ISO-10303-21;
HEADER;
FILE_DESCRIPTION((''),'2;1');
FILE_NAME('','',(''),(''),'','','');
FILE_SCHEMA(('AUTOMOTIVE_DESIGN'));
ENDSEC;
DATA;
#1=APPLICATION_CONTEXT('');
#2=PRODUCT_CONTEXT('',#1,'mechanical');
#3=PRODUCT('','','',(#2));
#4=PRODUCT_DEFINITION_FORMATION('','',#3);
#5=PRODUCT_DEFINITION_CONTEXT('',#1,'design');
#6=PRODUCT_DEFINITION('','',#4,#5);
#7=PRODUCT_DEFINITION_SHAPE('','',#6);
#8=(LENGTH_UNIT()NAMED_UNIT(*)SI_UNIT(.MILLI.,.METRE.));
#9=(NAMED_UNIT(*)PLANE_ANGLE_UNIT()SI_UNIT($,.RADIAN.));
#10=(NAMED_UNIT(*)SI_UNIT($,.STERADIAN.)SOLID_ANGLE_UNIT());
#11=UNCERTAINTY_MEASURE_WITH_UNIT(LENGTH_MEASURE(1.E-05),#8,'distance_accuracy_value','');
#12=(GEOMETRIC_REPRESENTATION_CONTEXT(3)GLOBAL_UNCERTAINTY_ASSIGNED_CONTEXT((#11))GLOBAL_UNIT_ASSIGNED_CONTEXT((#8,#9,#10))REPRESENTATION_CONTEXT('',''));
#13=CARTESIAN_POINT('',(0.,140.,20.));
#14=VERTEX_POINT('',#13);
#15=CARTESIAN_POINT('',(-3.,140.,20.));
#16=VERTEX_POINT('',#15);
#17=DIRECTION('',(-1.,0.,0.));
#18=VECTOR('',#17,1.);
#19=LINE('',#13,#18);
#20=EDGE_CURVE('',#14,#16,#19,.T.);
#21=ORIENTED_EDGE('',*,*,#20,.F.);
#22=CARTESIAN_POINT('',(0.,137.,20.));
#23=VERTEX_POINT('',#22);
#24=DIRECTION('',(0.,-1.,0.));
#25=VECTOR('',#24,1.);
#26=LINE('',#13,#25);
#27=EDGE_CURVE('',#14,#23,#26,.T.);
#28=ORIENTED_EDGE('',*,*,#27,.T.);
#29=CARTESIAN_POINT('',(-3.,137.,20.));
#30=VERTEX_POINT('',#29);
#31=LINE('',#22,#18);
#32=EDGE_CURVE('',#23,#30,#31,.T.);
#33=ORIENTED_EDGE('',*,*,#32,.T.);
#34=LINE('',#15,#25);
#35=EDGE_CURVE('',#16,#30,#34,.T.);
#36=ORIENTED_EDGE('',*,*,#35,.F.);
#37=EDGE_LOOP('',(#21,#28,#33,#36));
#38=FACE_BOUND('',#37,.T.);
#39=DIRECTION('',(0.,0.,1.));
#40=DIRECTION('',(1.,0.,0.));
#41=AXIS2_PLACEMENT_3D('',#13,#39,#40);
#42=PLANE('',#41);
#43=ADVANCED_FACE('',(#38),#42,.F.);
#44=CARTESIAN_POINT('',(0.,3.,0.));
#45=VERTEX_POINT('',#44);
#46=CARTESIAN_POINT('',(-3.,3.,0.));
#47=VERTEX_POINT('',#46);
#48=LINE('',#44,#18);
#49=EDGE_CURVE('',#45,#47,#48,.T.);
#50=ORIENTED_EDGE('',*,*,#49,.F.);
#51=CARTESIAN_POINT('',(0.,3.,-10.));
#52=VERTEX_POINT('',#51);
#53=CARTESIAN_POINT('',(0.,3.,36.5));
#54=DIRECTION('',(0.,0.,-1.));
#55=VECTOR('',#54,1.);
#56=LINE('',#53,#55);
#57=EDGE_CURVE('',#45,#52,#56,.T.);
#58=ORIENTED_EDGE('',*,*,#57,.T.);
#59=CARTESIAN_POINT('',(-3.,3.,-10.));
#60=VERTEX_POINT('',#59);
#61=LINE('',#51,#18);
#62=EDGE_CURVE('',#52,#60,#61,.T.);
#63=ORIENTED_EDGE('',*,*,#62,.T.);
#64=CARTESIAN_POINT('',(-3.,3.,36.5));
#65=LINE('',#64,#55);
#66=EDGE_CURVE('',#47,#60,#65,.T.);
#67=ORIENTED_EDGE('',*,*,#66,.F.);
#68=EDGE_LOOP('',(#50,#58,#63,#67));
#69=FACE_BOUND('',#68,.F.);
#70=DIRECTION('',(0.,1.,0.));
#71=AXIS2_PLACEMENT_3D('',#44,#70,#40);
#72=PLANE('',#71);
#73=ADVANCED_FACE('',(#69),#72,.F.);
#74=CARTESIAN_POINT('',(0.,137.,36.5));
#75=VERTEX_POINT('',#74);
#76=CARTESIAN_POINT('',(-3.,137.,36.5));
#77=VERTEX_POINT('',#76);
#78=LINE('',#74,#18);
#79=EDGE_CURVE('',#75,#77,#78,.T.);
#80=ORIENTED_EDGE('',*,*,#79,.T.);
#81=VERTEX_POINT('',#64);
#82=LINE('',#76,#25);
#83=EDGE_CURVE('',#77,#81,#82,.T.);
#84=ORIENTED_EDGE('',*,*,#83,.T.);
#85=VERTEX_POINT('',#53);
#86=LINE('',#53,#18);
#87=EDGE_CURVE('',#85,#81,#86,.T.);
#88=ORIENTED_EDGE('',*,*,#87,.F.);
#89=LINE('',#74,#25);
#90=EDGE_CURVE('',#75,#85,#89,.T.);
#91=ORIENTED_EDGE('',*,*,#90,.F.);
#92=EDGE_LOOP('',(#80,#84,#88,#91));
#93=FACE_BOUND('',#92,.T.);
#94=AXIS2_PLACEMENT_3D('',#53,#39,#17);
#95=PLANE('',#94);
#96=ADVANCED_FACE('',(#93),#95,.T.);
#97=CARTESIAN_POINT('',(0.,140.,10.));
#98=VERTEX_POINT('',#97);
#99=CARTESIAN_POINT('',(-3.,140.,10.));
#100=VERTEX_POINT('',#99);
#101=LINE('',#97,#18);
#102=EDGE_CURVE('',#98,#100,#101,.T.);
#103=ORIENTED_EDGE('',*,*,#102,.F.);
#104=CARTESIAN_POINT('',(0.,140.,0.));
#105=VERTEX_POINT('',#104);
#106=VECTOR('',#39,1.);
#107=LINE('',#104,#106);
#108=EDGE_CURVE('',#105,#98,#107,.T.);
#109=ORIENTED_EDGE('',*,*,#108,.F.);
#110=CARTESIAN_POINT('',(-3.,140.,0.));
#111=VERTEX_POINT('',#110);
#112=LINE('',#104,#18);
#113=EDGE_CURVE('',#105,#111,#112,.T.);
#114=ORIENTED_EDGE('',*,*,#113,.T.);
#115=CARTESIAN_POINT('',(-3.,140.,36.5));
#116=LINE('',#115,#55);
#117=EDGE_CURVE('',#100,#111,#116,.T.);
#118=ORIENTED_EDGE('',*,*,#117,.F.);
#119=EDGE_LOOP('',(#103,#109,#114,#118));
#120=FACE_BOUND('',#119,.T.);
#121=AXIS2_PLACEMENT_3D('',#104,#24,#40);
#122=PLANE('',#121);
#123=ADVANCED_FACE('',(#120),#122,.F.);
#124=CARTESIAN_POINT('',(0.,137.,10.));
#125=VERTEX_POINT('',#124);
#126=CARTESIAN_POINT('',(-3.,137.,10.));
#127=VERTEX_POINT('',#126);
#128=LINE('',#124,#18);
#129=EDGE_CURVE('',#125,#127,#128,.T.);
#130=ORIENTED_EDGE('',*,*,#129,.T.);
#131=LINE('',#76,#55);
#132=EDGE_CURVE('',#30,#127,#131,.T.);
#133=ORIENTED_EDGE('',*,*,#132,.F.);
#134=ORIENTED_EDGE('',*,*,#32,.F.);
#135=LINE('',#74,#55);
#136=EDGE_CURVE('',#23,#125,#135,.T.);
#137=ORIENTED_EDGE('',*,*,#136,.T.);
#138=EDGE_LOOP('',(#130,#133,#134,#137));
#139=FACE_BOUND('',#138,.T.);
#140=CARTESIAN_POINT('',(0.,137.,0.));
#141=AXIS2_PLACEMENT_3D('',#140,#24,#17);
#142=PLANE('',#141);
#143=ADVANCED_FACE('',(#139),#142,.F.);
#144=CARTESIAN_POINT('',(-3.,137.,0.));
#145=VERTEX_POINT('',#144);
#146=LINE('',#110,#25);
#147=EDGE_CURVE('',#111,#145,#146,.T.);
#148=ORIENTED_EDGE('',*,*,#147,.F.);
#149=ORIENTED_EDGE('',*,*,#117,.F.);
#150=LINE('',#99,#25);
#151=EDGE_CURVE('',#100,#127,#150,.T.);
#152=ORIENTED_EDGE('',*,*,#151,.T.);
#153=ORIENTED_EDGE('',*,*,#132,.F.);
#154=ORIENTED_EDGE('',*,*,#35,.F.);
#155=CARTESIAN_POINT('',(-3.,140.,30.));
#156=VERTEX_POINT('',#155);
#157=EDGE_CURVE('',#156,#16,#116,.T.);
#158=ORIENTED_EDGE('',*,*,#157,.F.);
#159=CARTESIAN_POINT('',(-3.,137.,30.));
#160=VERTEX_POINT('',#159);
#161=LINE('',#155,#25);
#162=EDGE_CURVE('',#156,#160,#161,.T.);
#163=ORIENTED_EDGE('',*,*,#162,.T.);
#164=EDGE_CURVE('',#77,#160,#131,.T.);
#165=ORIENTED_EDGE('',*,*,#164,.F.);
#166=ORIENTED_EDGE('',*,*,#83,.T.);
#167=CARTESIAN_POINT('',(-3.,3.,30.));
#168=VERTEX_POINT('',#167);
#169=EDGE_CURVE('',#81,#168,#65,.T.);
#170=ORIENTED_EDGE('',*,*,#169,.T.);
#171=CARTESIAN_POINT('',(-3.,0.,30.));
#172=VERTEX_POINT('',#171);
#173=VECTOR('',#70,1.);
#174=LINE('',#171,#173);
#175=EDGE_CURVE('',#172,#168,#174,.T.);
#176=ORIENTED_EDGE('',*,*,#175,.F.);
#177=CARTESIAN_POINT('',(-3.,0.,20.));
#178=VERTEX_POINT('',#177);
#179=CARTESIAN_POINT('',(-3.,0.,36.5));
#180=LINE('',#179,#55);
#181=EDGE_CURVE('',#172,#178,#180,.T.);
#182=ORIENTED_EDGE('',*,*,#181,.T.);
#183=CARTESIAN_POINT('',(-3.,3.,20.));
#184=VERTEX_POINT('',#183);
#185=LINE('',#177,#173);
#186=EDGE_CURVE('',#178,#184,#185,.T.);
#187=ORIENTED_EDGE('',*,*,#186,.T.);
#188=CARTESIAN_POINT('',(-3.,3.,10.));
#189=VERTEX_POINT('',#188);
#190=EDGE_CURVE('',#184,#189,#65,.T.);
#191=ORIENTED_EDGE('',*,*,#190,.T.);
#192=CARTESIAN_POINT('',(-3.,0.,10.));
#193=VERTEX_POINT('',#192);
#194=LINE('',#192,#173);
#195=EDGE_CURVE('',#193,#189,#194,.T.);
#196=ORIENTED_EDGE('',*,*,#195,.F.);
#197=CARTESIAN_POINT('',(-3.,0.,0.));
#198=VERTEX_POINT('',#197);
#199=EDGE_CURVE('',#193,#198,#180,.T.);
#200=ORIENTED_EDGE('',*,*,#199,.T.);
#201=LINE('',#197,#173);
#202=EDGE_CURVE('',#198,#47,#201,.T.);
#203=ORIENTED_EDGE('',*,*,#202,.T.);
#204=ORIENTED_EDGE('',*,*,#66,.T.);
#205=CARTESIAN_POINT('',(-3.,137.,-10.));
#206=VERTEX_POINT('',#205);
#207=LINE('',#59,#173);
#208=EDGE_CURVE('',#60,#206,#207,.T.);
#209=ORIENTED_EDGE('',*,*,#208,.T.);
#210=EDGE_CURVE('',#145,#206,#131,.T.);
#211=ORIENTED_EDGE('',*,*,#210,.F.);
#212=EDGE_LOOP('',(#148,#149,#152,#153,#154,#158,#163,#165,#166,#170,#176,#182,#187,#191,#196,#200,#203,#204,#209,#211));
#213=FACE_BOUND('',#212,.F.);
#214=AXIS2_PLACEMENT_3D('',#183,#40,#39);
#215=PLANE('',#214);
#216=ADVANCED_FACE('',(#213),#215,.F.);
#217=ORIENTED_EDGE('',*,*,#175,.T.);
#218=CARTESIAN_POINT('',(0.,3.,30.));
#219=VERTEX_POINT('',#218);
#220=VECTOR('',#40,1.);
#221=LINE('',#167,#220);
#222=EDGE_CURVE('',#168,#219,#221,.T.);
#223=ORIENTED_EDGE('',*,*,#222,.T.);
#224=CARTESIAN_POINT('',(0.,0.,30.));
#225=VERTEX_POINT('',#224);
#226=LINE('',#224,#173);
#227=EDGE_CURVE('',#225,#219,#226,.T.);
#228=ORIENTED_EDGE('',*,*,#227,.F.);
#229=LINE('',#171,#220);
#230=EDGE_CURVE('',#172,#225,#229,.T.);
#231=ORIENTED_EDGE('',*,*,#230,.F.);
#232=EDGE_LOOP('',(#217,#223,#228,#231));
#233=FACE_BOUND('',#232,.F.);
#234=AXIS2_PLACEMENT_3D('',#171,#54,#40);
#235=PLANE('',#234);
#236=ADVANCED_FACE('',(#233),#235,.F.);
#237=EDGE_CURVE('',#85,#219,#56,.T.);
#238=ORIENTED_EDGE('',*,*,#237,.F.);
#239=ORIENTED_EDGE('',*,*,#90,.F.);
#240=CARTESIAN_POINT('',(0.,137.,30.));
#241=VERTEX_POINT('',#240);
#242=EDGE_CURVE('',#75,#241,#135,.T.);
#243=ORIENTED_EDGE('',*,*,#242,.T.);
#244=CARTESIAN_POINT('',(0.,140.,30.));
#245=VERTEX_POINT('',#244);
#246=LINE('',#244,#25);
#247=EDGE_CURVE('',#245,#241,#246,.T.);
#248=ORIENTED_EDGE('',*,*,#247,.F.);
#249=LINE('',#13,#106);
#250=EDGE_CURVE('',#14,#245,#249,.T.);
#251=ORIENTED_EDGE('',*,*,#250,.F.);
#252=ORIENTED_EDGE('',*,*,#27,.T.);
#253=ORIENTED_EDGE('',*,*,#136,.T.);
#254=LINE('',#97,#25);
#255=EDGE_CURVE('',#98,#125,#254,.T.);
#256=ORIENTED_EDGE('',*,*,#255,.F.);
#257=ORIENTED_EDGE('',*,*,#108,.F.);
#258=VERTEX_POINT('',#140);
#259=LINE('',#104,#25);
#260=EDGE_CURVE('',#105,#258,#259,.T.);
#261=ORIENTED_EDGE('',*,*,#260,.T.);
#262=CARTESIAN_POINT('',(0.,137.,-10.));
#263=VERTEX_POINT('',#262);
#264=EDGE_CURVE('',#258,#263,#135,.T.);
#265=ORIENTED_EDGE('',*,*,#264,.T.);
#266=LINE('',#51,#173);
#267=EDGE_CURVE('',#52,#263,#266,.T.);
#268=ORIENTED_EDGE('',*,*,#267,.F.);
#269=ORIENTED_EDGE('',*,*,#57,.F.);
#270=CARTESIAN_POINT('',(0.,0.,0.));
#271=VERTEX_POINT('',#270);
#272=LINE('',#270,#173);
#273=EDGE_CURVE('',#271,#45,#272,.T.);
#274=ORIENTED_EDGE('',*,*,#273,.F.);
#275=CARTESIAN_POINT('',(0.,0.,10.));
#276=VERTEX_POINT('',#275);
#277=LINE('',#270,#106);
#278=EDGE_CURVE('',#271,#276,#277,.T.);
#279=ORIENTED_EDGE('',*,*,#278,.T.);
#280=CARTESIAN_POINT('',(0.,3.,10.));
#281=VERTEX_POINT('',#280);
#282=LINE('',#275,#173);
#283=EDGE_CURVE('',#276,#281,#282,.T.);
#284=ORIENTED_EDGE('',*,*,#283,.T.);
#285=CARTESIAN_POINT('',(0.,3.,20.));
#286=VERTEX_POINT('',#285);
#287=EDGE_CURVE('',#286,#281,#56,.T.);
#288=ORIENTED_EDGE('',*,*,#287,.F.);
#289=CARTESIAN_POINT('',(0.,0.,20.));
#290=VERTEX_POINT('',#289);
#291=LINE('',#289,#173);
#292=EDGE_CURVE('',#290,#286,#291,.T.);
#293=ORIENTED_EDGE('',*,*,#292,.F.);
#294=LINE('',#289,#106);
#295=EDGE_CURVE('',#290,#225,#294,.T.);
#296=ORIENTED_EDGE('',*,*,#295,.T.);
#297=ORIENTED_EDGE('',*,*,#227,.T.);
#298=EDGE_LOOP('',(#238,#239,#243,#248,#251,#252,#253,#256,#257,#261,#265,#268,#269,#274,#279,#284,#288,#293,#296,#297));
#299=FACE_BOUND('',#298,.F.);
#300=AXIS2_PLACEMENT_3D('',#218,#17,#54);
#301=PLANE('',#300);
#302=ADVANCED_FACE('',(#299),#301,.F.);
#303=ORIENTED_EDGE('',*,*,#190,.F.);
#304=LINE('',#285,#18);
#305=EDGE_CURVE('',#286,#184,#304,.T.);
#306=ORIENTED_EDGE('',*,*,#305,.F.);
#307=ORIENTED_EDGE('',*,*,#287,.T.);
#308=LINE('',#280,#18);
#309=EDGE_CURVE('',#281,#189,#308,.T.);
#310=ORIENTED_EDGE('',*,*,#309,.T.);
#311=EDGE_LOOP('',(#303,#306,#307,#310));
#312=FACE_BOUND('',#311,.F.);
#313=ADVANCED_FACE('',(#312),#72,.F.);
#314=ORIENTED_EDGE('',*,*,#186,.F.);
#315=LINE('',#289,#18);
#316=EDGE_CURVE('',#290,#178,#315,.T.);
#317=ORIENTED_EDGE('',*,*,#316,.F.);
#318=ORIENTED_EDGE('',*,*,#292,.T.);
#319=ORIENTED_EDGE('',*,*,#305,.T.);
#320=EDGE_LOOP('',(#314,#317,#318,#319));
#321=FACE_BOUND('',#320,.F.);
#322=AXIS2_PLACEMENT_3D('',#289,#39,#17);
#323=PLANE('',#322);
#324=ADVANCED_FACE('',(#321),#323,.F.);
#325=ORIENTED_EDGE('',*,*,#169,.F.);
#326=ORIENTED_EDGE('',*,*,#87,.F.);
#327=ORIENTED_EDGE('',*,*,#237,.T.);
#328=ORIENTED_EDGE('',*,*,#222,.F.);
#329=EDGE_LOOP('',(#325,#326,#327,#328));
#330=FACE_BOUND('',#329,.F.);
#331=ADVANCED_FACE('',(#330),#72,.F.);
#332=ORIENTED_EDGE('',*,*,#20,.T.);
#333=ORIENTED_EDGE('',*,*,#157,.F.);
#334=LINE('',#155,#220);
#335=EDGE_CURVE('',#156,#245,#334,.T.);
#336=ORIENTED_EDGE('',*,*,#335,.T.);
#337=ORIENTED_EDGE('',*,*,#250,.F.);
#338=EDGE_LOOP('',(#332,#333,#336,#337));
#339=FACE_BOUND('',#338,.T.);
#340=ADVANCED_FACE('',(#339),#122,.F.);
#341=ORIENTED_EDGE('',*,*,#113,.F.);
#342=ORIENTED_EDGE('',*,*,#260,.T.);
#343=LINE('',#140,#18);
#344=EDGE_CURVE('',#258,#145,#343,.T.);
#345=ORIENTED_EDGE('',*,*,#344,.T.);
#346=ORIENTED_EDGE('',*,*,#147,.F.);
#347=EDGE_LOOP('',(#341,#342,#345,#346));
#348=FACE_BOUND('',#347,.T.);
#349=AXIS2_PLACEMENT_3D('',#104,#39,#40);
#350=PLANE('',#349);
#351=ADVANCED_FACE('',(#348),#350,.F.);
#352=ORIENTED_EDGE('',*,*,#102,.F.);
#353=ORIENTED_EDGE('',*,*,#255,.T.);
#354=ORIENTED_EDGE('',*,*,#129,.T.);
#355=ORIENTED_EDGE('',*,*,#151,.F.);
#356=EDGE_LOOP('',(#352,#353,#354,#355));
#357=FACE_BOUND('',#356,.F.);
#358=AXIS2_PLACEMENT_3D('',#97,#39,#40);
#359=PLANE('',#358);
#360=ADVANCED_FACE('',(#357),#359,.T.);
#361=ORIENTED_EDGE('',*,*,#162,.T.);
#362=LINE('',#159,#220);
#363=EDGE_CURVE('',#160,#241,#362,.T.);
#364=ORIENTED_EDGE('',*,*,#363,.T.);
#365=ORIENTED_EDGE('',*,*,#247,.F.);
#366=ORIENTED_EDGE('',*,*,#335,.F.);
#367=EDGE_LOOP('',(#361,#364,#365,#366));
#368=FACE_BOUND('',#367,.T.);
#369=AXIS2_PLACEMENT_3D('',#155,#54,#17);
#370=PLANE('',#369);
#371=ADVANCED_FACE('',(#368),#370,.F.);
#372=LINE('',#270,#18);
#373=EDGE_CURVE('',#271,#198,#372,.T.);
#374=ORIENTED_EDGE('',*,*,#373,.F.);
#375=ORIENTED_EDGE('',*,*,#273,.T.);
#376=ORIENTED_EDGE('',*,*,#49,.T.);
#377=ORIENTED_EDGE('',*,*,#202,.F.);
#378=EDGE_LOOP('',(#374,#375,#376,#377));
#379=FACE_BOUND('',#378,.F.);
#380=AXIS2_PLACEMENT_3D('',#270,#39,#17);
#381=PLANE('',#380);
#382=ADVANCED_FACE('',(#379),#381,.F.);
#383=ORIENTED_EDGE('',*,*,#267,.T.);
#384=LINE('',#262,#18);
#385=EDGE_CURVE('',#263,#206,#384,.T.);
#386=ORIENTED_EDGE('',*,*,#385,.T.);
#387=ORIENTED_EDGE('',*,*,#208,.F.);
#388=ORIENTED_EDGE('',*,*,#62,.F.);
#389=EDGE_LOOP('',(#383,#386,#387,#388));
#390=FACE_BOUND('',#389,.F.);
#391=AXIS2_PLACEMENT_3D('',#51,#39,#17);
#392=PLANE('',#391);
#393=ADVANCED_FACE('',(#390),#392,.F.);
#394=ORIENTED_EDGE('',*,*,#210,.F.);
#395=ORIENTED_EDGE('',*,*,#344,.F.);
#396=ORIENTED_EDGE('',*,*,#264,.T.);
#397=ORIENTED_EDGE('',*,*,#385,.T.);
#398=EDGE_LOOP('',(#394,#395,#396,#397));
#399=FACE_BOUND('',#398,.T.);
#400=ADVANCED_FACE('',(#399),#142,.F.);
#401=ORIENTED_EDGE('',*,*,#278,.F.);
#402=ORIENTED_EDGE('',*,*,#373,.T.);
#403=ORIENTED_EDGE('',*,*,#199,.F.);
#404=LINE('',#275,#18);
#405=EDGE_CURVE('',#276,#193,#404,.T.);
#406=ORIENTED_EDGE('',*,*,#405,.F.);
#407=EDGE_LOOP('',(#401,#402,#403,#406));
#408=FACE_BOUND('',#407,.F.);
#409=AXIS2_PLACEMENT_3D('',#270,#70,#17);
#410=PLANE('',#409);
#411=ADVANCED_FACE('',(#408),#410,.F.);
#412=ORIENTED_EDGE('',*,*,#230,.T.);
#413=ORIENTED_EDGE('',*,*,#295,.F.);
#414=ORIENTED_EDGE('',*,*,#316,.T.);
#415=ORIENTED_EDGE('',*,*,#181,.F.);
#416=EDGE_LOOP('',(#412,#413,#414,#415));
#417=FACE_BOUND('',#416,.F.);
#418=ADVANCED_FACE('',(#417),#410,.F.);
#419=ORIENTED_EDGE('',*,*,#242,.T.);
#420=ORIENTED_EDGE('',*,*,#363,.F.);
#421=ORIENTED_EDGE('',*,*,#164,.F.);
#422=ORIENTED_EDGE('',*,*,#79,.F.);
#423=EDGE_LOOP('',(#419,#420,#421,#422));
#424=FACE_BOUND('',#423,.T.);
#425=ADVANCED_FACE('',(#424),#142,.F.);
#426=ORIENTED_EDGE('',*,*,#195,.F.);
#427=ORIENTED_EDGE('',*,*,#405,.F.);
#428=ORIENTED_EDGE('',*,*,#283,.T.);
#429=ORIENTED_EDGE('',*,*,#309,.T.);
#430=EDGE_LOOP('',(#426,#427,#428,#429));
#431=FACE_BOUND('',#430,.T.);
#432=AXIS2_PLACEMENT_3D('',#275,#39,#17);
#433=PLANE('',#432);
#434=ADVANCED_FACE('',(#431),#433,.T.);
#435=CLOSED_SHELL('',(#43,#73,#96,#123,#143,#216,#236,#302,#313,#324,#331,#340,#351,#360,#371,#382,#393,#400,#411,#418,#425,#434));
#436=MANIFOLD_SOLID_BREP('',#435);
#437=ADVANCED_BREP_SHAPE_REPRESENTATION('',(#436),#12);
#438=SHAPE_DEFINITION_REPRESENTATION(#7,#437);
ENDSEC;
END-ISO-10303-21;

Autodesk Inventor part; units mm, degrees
ref_plane "YZ Plane" through (0, 0, 0) normal (1, 0, 0) x (0, 1, 0)
ref_plane "XZ Plane" through (0, 0, 0) normal (0, 1, 0) x (-1, 0, 0)
ref_plane "XY Plane" through (0, 0, 0) normal (0, 0, 1) x (1, 0, 0)
sketch "Sketch1" plane through (0, 0, 0) normal (0, 1, 0) x (-1, 0, 0)
  line L0 (0, 0) -> (0, -10)
  line L1 (0, -10) -> (3, -10)
  line L2 (0, 0) -> (0, 10)
  line L3 (0, 10) -> (0, 20)
  line L4 (0, 20) -> (0, 30)
  line L5 (0, 30) -> (0, 36.5)
  line L6 (0, 36.5) -> (3, 36.5)
  line L7 (3, 36.5) -> (3, -10)
  line L8 (3, 30) -> (0, 30)
  line L9 (0, 20) -> (3, 20)
  line L10 (0, 10) -> (3, 10)
  line L11 (0, 0) -> (3, 0)
  dimension "d0" = 10
  dimension "d1" = 3
  dimension "d2" = 10
  dimension "d3" = 10
  dimension "d4" = 10
  dimension "d5" = 6.5
  dimension "d6" = 3
extrude "Extrusion1" add sketch "Sketch1" along normal blind 3 contours L2 L10 L7 L11 | L4 L8 L7 L9
sketch "Sketch2" plane through (0, 3, 0) normal (0, 1, 0) x (1, 0, 0)
  line L0 (0, 0) -> (0, 10)
  line L1 (-3, -20) -> (-3, -30) projected
  line L2 (0, 10) -> (-3, 10)
  line L3 (-3, 10) -> (-3, -30)
  line L4 (-3, -30) -> (0, -30)
  line L5 (0, -30) -> (0, 10)
  line L6 (0, -30) -> (0, -36.5)
  line L7 (0, -36.5) -> (-3, -36.5)
  line L8 (-3, -36.5) -> (-3, -30)
  line L9 (-3, -30) -> (0, -30)
  line L10 (0, -30) -> (0, -36.5)
  dimension "d9" = 10
  dimension "d10" = 6.5
extrude "Extrusion2" add sketch "Sketch2" along normal blind 67
mirror "Mirror1" about plane through (-1.5, 70, 13.25) normal (0, 1, 0) of "Extrusion2", "Extrusion1"
properties part number "motorkap"
